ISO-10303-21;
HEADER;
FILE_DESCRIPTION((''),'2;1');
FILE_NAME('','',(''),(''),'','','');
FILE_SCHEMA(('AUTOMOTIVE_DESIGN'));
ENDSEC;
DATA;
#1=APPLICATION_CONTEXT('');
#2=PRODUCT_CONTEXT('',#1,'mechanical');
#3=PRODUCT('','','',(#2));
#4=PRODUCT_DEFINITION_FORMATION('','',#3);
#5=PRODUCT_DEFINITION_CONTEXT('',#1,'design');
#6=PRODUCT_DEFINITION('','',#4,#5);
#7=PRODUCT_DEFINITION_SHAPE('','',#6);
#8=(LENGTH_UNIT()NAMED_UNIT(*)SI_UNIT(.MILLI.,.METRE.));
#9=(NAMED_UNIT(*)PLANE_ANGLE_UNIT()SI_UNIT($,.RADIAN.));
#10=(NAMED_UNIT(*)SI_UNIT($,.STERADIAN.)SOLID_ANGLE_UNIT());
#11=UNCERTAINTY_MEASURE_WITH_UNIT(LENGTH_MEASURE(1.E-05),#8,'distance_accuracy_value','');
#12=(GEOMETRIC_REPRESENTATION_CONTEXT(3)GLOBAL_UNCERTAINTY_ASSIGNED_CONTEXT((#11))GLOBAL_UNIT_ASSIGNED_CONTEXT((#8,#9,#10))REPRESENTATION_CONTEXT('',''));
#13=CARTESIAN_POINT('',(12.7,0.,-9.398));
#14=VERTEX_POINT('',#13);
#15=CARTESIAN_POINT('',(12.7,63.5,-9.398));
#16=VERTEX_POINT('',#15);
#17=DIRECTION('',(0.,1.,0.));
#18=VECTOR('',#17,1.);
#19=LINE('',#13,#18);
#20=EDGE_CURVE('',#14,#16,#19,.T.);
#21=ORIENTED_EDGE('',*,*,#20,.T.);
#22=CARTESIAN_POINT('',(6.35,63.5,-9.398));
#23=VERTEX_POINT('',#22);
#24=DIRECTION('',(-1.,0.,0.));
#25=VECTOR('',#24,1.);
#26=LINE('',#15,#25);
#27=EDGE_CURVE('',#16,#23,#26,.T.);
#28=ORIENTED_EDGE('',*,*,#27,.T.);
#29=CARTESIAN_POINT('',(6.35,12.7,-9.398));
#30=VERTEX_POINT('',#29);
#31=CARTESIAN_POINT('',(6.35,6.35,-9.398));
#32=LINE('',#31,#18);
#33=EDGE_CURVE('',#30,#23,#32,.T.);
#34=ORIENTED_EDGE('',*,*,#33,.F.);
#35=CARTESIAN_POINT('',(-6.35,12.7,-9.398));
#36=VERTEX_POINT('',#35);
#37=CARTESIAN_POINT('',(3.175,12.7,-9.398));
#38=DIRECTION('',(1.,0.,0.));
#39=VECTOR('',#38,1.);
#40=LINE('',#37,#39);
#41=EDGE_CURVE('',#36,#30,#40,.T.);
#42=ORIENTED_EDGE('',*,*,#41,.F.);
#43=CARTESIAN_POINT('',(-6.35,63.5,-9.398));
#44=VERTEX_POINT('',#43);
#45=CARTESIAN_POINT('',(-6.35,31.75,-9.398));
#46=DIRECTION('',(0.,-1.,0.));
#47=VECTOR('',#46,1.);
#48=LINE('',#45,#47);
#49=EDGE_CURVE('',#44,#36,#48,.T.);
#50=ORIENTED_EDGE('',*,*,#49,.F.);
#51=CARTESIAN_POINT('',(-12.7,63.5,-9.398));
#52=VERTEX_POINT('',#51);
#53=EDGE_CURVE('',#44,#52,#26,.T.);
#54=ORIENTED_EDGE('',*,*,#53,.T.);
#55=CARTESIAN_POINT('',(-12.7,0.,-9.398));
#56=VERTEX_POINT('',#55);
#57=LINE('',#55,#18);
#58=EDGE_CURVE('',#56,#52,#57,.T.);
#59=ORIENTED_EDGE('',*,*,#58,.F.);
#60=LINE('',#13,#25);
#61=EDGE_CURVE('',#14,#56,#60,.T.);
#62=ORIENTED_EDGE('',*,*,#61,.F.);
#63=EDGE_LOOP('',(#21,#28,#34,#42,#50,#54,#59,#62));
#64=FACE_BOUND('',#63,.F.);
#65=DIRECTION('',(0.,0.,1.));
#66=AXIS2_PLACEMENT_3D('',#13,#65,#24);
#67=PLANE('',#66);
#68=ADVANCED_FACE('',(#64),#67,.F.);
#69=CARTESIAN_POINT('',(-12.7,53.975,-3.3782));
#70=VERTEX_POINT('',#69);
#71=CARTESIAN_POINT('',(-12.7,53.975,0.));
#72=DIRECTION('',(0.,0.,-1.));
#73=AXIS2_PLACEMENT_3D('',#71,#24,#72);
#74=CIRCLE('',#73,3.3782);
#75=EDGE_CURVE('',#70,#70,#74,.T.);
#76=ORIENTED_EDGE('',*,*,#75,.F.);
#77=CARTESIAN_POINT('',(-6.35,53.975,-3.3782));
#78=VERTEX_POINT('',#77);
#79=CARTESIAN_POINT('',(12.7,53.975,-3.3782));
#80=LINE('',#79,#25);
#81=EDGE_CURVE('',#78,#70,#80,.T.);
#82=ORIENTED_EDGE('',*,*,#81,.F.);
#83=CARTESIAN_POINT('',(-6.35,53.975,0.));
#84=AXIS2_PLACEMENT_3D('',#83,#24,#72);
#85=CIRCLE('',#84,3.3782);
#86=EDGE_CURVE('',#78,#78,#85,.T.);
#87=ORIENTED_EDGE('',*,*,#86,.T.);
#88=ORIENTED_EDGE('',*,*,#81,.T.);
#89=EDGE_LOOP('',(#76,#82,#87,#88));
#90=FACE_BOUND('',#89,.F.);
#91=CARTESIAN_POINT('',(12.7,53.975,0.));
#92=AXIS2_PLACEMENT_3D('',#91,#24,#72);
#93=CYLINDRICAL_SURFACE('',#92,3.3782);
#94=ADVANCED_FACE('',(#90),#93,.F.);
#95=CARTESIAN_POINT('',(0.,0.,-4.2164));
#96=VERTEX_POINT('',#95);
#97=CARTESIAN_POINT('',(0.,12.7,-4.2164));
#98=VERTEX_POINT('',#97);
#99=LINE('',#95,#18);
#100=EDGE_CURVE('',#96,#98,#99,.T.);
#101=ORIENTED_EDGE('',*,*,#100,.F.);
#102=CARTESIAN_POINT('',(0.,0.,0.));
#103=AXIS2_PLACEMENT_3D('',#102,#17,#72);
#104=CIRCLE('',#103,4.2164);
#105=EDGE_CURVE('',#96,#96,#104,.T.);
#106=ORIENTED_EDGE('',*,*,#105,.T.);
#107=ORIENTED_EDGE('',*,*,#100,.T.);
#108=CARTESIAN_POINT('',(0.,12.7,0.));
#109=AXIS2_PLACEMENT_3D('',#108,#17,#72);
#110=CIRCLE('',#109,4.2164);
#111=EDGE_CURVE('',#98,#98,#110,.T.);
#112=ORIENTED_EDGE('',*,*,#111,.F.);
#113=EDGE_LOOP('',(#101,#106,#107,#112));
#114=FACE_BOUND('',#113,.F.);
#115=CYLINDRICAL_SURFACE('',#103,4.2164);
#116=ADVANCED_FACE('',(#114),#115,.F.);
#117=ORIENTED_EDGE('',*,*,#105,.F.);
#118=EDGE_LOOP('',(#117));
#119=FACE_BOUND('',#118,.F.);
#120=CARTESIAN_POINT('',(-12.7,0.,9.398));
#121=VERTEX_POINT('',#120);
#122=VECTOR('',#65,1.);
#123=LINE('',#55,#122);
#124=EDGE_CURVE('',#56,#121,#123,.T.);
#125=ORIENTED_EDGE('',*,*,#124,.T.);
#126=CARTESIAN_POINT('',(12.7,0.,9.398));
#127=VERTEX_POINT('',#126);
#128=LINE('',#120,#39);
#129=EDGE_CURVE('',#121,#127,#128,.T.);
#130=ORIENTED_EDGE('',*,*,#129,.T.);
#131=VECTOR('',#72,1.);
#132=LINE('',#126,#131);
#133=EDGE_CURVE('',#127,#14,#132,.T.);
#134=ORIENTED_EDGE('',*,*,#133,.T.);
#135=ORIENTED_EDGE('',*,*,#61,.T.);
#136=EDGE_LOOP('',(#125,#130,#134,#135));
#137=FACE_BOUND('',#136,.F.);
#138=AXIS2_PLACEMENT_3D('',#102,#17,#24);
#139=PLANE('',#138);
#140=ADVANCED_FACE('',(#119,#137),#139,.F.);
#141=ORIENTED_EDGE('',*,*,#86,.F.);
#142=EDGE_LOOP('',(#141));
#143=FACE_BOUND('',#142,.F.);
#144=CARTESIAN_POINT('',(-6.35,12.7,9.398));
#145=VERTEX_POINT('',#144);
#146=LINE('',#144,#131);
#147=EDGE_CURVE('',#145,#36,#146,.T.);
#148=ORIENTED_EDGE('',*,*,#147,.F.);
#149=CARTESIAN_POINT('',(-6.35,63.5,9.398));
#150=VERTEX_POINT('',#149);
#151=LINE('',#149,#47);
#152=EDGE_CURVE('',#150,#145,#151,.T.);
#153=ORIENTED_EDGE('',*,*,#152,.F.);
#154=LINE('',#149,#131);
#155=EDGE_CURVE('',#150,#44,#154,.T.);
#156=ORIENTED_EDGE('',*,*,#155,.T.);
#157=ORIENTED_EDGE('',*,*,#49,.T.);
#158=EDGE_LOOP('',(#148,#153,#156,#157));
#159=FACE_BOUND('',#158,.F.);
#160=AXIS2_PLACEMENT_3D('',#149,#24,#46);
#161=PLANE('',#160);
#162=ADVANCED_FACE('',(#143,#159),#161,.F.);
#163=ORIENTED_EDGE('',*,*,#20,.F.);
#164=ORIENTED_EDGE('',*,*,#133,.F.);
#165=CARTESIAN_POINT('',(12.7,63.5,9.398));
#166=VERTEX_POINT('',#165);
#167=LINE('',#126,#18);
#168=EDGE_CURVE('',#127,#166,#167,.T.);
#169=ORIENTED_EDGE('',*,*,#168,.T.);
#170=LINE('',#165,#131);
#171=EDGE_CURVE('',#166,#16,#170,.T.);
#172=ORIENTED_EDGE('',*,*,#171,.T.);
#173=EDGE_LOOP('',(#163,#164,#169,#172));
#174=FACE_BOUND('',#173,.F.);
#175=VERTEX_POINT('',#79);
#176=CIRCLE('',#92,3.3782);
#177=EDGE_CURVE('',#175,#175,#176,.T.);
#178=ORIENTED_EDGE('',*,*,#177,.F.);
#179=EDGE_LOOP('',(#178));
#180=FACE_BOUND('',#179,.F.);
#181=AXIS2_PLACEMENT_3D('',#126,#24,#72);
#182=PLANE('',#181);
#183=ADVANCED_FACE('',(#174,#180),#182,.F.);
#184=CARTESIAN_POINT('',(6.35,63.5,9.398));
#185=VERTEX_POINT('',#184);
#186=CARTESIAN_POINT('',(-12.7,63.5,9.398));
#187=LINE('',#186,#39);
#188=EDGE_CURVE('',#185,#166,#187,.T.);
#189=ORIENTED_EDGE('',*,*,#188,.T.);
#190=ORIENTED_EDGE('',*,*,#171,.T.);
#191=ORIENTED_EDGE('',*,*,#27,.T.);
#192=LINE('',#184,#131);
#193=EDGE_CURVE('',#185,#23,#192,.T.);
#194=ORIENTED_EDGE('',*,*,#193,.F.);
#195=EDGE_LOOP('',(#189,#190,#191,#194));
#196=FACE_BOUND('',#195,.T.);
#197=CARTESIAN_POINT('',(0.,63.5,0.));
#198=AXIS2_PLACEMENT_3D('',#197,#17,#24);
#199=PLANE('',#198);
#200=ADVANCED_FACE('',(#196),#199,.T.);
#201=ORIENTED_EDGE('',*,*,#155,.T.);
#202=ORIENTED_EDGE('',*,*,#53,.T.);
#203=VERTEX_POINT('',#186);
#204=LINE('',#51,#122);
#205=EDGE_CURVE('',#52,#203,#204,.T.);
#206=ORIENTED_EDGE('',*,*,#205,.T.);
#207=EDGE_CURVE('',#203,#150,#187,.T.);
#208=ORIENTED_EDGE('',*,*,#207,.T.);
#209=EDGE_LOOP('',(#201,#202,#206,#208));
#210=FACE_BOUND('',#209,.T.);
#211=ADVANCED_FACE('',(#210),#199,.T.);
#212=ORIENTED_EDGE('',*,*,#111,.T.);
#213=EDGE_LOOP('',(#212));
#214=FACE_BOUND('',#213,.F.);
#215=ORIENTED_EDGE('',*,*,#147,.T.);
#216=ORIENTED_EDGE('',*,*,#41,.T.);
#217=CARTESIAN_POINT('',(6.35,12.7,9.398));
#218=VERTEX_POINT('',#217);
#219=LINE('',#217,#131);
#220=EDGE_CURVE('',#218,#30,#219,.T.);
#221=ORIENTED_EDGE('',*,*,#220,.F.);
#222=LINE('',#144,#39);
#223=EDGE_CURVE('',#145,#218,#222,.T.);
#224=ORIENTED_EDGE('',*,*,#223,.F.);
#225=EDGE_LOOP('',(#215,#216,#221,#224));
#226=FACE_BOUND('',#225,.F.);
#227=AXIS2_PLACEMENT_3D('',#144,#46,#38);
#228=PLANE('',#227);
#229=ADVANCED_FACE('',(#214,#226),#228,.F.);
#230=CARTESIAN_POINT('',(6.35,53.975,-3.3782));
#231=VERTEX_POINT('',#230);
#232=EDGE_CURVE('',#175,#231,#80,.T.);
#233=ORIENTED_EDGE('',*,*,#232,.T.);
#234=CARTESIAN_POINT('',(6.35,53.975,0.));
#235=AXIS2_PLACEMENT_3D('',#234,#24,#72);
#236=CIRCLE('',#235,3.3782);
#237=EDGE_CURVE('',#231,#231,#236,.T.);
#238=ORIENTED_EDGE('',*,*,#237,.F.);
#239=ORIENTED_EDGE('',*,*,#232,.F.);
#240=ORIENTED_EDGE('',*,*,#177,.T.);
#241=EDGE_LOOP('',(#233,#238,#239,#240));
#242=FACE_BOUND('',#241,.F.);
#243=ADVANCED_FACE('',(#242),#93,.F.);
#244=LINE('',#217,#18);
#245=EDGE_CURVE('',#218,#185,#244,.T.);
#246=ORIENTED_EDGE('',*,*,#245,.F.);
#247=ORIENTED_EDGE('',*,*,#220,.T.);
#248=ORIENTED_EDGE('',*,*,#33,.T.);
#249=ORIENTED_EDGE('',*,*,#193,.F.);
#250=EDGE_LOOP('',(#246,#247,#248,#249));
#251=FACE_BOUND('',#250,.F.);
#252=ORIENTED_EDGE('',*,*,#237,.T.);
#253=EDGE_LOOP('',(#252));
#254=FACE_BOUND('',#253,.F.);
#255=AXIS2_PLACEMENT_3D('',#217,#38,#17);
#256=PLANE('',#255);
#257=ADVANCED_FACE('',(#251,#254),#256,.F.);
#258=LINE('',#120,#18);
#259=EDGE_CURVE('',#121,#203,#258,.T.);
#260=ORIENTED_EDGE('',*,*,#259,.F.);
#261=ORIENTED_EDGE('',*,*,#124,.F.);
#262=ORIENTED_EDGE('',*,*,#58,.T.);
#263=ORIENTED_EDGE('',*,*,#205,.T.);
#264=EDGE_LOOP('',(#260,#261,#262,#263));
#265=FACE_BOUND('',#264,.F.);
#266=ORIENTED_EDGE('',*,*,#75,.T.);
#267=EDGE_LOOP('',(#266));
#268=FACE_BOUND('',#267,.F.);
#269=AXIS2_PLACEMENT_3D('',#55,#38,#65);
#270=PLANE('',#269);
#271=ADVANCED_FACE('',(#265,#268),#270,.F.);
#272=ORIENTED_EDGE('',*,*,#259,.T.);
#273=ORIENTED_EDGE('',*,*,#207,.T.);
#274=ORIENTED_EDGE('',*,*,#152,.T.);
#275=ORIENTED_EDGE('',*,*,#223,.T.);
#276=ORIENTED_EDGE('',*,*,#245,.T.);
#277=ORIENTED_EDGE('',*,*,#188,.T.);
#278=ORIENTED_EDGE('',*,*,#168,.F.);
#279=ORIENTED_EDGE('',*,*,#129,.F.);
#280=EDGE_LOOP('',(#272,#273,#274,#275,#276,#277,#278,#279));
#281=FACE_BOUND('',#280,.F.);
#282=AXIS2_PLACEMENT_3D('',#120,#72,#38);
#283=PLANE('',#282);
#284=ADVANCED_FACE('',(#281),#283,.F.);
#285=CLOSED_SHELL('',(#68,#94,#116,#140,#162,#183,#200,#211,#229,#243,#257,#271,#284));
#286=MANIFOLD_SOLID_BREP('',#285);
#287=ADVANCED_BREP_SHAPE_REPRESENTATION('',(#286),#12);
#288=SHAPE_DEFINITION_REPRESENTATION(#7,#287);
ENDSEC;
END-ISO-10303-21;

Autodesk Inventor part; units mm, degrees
ref_plane "YZ Plane" through (0, 0, 0) normal (1, 0, 0) x (0, 1, 0)
ref_plane "XZ Plane" through (0, 0, 0) normal (0, 1, 0) x (-1, 0, 0)
ref_plane "XY Plane" through (0, 0, 0) normal (0, 0, 1) x (1, 0, 0)
sketch "Sketch7" plane through (0, 0, 0) normal (0, 1, 0) x (-1, 0, 0)
  line L0 (12.7, 9.398) -> (-12.7, 9.398)
  line L1 (-12.7, 9.398) -> (-12.7, -9.398)
  line L2 (-12.7, -9.398) -> (12.7, -9.398)
  line L3 (12.7, -9.398) -> (12.7, 9.398)
  line L4 (12.7, 9.398) -> (-12.7, -9.398) construction
  line L5 (-12.7, 9.398) -> (12.7, -9.398) construction
  point P0 (0, 0)
  dimension "d53" = 18.796
  dimension "d54" = 25.4
extrude "Extrusion4" add sketch "Sketch7" along normal blind 63.5
sketch "Sketch8" plane through (0, 0, 0) normal (0, -1, 0) x (1, 0, 0)
  point P0 (0, 0)
  point P1 (0, 0)
hole "Hole7" at (0, 0, 0) direction (0, 1, 0) diameter 8.4328 depth 12.7 clearance for "Flat Head Machine Screw (82)" size "5/16" standard "Ansi Unified Screw Threads"
sketch "Sketch11" plane through (-12.7, 0, 9.398) normal (0, 0, 1) x (1, 0, 0)
  line L0 (12.7, 0) -> (12.7, 63.5) construction
  line L1 (0, 63.5) -> (25.4, 63.5) construction
  line L2 (19.05, 12.7) -> (19.05, 63.5)
  line L3 (19.05, 63.5) -> (6.35, 63.5)
  line L4 (6.35, 63.5) -> (6.35, 12.7)
  line L5 (6.35, 12.7) -> (19.05, 12.7)
  line L6 (19.05, 12.7) -> (6.35, 63.5) construction
  line L7 (19.05, 63.5) -> (6.35, 12.7) construction
  line L8 (0, 0) -> (25.4, 0) projected
  point P0 (12.7, 38.1)
  dimension "d85" = 12.7
  dimension "d86" = 50.8
  dimension "d87" = 12.7
extrude "Extrusion5" cut sketch "Sketch11" against normal through all
sketch "Sketch13" plane through (12.7, 0, 9.398) normal (1, 0, 0) x (0, 0, -1)
  line L0 (18.796, 63.5) -> (0, 63.5) construction
  line L1 (9.398, 63.5) -> (9.398, 0) construction
  point P0 (9.398, 53.975)
  dimension "d97" = 9.525
hole "Hole10" at (12.7, 53.975, 0) direction (-1, 0, 0) diameter 6.7564 end through all clearance for "Flat Head Machine Screw (82)" size "1/4" standard "Ansi Unified Screw Threads"
properties part number "AngleBracketAttachementForDartActuator"
